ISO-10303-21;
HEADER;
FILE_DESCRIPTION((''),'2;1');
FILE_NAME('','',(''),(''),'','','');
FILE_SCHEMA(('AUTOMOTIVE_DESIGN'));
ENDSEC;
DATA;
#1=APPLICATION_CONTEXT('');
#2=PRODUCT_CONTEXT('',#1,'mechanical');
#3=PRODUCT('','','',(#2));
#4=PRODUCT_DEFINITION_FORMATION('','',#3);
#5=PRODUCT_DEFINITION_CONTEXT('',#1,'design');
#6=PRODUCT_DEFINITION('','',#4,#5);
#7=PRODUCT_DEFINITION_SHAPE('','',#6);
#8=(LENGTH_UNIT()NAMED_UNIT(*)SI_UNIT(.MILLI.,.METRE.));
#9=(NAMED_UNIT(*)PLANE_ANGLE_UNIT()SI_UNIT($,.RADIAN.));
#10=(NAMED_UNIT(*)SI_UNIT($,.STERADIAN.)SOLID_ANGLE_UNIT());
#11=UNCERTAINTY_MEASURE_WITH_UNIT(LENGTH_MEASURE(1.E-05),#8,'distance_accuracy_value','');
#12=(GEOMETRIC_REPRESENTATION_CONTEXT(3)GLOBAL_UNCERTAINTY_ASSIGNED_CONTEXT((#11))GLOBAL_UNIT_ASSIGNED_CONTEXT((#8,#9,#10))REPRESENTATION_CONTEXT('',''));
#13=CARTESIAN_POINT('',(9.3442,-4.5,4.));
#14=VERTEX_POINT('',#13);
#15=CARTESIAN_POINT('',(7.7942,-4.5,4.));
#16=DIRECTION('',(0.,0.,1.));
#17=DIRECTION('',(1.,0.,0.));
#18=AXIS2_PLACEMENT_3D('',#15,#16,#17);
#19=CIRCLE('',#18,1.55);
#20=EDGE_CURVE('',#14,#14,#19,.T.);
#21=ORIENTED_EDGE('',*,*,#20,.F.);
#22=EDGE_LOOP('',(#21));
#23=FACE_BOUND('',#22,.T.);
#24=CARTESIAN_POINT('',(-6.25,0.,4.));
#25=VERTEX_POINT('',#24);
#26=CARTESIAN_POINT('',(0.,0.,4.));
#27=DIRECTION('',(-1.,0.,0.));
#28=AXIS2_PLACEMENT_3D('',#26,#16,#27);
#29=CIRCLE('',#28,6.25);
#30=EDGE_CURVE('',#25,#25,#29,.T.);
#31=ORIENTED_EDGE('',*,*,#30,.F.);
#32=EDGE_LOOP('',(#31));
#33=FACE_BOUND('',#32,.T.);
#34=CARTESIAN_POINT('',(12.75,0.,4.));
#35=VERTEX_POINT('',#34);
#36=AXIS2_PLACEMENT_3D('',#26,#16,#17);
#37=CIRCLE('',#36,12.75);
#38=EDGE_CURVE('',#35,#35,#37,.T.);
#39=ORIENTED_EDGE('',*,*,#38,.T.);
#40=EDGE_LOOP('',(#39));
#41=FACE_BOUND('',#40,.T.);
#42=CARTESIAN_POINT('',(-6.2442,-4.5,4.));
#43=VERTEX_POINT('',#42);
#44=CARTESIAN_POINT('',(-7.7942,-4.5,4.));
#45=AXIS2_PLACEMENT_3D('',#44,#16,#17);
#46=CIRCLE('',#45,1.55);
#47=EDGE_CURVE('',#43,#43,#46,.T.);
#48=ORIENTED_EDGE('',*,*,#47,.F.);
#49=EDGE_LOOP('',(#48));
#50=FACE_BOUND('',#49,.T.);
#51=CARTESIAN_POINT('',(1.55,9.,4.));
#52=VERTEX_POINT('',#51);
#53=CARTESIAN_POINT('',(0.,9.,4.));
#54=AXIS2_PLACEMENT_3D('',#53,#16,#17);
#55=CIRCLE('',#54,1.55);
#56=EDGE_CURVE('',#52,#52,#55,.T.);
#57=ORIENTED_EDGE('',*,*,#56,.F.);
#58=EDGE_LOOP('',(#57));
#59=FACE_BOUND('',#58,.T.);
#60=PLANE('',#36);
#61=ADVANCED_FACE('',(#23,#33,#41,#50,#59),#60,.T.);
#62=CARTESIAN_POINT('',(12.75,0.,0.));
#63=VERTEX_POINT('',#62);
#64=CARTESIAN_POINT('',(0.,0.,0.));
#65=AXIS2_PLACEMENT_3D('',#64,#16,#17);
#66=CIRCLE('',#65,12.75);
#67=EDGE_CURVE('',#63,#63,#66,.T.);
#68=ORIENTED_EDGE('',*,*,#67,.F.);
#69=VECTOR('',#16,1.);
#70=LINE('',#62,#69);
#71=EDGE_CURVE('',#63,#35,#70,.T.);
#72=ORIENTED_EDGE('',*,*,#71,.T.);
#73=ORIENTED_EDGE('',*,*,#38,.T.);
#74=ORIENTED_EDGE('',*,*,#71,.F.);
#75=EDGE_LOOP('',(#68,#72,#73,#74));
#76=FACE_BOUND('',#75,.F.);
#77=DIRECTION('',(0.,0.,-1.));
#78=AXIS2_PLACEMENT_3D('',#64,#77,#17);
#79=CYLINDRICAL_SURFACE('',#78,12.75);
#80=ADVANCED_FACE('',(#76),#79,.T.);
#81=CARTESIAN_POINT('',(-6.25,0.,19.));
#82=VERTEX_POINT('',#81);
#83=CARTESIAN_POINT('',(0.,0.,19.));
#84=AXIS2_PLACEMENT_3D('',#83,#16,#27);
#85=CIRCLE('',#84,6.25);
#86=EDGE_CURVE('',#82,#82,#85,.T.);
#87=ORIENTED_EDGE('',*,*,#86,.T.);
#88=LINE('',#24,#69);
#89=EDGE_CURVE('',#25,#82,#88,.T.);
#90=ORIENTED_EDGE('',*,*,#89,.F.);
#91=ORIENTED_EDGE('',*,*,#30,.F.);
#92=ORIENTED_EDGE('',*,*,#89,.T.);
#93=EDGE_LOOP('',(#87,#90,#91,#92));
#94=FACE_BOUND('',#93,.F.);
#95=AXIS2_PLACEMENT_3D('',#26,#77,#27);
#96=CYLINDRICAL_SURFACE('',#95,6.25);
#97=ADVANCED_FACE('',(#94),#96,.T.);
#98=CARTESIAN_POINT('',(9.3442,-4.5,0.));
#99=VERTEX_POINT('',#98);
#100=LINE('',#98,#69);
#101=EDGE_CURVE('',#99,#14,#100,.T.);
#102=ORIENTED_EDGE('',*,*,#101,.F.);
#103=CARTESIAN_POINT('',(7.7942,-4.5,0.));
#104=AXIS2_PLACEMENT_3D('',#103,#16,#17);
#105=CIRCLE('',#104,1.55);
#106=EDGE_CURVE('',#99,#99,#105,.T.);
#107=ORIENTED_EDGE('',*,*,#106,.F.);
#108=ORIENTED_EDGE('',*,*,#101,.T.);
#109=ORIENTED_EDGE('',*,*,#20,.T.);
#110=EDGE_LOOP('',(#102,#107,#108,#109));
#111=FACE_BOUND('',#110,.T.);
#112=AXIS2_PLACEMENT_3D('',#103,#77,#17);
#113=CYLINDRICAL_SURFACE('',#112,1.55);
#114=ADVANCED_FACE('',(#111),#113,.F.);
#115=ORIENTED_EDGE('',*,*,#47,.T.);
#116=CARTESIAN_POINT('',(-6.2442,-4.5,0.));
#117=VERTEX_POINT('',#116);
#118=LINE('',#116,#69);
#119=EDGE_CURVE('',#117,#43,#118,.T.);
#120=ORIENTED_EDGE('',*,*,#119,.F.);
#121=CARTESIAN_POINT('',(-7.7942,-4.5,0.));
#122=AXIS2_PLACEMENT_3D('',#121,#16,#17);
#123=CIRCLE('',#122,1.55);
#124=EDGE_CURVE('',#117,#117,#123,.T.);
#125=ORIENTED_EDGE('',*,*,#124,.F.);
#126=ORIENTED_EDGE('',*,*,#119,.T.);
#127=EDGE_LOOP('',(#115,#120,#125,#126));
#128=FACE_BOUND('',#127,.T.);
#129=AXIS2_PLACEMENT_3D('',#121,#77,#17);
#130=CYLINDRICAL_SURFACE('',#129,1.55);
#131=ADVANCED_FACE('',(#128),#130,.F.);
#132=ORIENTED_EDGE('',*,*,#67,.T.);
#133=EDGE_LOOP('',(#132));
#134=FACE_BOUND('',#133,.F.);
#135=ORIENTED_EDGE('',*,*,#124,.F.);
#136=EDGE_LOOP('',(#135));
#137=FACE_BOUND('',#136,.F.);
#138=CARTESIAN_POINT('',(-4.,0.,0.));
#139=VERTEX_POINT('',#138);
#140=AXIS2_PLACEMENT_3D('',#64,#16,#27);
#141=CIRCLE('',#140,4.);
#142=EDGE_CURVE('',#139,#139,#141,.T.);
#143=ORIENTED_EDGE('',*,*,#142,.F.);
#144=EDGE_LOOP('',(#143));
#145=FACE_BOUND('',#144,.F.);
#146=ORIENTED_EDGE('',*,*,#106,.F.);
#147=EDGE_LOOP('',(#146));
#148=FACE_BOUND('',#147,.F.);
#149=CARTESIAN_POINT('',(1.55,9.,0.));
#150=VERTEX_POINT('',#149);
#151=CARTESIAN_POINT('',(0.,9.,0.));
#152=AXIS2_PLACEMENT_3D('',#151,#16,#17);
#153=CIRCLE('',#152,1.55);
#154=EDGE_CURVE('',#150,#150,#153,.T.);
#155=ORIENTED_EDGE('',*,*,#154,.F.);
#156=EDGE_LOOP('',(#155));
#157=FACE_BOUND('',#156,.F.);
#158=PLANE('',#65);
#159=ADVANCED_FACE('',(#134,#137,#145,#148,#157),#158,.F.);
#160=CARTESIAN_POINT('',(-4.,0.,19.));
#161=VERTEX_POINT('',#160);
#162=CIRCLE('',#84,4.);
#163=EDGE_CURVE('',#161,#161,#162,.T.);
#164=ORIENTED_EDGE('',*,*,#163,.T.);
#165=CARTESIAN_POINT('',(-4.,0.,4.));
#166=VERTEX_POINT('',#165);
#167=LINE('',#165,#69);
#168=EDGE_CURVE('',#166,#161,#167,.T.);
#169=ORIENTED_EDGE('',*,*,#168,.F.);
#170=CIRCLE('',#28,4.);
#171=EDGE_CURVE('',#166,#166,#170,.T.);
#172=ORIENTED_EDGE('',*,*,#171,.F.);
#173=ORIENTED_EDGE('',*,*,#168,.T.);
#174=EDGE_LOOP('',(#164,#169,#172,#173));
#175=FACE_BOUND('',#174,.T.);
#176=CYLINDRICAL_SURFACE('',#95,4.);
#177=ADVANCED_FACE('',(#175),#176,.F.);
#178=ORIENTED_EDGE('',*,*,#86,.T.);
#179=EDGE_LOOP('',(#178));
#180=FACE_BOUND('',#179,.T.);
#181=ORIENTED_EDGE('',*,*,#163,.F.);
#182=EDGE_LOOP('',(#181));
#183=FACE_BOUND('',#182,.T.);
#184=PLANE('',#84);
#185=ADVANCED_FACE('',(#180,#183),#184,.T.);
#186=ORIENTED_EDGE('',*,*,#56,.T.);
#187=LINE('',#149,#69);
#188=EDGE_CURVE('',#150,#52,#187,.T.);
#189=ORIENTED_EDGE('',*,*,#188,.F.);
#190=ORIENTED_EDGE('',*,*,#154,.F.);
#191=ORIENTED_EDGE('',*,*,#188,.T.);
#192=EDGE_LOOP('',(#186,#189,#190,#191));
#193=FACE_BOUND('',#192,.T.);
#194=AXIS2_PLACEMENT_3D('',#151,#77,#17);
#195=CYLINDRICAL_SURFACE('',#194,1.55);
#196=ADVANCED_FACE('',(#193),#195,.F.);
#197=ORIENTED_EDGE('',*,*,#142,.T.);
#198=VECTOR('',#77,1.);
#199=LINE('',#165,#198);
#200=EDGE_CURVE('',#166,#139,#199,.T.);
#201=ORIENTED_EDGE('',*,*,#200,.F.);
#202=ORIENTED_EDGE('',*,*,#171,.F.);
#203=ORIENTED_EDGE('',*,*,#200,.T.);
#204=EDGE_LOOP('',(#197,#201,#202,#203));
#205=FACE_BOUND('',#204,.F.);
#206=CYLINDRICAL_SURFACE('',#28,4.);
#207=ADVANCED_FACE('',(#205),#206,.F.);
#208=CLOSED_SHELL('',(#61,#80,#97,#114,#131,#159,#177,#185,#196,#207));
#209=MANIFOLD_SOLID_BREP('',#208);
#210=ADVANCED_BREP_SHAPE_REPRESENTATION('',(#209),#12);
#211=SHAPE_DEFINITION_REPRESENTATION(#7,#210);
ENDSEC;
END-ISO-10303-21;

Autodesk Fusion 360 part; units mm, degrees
sketch "Sketch1" plane through (0, 0, 0) normal (0, 0, 1) x (1, 0, 0)
  circle A0 centre (0, 0) radius 12.75
  circle A1 centre (0, 9) radius 1.55
  circle A2 centre (-7.7942, -4.5) radius 1.55
  circle A3 centre (7.7942, -4.5) radius 1.55
  dimension "d1" = 25.5
  dimension "d2" = 3.1
  dimension "d3" = 9
  dimension "d5" = 360
extrude "Extrude1" add sketch "Sketch1" along normal blind 4
sketch "Sketch2" plane through (0, 0, 4) normal (0, 0, 1) x (-1, 0, 0)
  circle A0 centre (-7.7942, 4.5) radius 1.55
  circle A1 centre (7.7942, 4.5) radius 1.55
  circle A2 centre (0, -9) radius 1.55
  circle A3 centre (0, 0) radius 12.75
  circle A4 centre (0, 0) radius 6.25
  circle A5 centre (0, 0) radius 4
  dimension "d8" = 12.5
  dimension "d9" = 8
extrude "Extrude2" add sketch "Sketch2" along normal blind 15 contours A4
extrude "Extrude3" cut 1 faces at (-0.9485, -1.8197, 4) along direction (0, 0, -1) blind 7
